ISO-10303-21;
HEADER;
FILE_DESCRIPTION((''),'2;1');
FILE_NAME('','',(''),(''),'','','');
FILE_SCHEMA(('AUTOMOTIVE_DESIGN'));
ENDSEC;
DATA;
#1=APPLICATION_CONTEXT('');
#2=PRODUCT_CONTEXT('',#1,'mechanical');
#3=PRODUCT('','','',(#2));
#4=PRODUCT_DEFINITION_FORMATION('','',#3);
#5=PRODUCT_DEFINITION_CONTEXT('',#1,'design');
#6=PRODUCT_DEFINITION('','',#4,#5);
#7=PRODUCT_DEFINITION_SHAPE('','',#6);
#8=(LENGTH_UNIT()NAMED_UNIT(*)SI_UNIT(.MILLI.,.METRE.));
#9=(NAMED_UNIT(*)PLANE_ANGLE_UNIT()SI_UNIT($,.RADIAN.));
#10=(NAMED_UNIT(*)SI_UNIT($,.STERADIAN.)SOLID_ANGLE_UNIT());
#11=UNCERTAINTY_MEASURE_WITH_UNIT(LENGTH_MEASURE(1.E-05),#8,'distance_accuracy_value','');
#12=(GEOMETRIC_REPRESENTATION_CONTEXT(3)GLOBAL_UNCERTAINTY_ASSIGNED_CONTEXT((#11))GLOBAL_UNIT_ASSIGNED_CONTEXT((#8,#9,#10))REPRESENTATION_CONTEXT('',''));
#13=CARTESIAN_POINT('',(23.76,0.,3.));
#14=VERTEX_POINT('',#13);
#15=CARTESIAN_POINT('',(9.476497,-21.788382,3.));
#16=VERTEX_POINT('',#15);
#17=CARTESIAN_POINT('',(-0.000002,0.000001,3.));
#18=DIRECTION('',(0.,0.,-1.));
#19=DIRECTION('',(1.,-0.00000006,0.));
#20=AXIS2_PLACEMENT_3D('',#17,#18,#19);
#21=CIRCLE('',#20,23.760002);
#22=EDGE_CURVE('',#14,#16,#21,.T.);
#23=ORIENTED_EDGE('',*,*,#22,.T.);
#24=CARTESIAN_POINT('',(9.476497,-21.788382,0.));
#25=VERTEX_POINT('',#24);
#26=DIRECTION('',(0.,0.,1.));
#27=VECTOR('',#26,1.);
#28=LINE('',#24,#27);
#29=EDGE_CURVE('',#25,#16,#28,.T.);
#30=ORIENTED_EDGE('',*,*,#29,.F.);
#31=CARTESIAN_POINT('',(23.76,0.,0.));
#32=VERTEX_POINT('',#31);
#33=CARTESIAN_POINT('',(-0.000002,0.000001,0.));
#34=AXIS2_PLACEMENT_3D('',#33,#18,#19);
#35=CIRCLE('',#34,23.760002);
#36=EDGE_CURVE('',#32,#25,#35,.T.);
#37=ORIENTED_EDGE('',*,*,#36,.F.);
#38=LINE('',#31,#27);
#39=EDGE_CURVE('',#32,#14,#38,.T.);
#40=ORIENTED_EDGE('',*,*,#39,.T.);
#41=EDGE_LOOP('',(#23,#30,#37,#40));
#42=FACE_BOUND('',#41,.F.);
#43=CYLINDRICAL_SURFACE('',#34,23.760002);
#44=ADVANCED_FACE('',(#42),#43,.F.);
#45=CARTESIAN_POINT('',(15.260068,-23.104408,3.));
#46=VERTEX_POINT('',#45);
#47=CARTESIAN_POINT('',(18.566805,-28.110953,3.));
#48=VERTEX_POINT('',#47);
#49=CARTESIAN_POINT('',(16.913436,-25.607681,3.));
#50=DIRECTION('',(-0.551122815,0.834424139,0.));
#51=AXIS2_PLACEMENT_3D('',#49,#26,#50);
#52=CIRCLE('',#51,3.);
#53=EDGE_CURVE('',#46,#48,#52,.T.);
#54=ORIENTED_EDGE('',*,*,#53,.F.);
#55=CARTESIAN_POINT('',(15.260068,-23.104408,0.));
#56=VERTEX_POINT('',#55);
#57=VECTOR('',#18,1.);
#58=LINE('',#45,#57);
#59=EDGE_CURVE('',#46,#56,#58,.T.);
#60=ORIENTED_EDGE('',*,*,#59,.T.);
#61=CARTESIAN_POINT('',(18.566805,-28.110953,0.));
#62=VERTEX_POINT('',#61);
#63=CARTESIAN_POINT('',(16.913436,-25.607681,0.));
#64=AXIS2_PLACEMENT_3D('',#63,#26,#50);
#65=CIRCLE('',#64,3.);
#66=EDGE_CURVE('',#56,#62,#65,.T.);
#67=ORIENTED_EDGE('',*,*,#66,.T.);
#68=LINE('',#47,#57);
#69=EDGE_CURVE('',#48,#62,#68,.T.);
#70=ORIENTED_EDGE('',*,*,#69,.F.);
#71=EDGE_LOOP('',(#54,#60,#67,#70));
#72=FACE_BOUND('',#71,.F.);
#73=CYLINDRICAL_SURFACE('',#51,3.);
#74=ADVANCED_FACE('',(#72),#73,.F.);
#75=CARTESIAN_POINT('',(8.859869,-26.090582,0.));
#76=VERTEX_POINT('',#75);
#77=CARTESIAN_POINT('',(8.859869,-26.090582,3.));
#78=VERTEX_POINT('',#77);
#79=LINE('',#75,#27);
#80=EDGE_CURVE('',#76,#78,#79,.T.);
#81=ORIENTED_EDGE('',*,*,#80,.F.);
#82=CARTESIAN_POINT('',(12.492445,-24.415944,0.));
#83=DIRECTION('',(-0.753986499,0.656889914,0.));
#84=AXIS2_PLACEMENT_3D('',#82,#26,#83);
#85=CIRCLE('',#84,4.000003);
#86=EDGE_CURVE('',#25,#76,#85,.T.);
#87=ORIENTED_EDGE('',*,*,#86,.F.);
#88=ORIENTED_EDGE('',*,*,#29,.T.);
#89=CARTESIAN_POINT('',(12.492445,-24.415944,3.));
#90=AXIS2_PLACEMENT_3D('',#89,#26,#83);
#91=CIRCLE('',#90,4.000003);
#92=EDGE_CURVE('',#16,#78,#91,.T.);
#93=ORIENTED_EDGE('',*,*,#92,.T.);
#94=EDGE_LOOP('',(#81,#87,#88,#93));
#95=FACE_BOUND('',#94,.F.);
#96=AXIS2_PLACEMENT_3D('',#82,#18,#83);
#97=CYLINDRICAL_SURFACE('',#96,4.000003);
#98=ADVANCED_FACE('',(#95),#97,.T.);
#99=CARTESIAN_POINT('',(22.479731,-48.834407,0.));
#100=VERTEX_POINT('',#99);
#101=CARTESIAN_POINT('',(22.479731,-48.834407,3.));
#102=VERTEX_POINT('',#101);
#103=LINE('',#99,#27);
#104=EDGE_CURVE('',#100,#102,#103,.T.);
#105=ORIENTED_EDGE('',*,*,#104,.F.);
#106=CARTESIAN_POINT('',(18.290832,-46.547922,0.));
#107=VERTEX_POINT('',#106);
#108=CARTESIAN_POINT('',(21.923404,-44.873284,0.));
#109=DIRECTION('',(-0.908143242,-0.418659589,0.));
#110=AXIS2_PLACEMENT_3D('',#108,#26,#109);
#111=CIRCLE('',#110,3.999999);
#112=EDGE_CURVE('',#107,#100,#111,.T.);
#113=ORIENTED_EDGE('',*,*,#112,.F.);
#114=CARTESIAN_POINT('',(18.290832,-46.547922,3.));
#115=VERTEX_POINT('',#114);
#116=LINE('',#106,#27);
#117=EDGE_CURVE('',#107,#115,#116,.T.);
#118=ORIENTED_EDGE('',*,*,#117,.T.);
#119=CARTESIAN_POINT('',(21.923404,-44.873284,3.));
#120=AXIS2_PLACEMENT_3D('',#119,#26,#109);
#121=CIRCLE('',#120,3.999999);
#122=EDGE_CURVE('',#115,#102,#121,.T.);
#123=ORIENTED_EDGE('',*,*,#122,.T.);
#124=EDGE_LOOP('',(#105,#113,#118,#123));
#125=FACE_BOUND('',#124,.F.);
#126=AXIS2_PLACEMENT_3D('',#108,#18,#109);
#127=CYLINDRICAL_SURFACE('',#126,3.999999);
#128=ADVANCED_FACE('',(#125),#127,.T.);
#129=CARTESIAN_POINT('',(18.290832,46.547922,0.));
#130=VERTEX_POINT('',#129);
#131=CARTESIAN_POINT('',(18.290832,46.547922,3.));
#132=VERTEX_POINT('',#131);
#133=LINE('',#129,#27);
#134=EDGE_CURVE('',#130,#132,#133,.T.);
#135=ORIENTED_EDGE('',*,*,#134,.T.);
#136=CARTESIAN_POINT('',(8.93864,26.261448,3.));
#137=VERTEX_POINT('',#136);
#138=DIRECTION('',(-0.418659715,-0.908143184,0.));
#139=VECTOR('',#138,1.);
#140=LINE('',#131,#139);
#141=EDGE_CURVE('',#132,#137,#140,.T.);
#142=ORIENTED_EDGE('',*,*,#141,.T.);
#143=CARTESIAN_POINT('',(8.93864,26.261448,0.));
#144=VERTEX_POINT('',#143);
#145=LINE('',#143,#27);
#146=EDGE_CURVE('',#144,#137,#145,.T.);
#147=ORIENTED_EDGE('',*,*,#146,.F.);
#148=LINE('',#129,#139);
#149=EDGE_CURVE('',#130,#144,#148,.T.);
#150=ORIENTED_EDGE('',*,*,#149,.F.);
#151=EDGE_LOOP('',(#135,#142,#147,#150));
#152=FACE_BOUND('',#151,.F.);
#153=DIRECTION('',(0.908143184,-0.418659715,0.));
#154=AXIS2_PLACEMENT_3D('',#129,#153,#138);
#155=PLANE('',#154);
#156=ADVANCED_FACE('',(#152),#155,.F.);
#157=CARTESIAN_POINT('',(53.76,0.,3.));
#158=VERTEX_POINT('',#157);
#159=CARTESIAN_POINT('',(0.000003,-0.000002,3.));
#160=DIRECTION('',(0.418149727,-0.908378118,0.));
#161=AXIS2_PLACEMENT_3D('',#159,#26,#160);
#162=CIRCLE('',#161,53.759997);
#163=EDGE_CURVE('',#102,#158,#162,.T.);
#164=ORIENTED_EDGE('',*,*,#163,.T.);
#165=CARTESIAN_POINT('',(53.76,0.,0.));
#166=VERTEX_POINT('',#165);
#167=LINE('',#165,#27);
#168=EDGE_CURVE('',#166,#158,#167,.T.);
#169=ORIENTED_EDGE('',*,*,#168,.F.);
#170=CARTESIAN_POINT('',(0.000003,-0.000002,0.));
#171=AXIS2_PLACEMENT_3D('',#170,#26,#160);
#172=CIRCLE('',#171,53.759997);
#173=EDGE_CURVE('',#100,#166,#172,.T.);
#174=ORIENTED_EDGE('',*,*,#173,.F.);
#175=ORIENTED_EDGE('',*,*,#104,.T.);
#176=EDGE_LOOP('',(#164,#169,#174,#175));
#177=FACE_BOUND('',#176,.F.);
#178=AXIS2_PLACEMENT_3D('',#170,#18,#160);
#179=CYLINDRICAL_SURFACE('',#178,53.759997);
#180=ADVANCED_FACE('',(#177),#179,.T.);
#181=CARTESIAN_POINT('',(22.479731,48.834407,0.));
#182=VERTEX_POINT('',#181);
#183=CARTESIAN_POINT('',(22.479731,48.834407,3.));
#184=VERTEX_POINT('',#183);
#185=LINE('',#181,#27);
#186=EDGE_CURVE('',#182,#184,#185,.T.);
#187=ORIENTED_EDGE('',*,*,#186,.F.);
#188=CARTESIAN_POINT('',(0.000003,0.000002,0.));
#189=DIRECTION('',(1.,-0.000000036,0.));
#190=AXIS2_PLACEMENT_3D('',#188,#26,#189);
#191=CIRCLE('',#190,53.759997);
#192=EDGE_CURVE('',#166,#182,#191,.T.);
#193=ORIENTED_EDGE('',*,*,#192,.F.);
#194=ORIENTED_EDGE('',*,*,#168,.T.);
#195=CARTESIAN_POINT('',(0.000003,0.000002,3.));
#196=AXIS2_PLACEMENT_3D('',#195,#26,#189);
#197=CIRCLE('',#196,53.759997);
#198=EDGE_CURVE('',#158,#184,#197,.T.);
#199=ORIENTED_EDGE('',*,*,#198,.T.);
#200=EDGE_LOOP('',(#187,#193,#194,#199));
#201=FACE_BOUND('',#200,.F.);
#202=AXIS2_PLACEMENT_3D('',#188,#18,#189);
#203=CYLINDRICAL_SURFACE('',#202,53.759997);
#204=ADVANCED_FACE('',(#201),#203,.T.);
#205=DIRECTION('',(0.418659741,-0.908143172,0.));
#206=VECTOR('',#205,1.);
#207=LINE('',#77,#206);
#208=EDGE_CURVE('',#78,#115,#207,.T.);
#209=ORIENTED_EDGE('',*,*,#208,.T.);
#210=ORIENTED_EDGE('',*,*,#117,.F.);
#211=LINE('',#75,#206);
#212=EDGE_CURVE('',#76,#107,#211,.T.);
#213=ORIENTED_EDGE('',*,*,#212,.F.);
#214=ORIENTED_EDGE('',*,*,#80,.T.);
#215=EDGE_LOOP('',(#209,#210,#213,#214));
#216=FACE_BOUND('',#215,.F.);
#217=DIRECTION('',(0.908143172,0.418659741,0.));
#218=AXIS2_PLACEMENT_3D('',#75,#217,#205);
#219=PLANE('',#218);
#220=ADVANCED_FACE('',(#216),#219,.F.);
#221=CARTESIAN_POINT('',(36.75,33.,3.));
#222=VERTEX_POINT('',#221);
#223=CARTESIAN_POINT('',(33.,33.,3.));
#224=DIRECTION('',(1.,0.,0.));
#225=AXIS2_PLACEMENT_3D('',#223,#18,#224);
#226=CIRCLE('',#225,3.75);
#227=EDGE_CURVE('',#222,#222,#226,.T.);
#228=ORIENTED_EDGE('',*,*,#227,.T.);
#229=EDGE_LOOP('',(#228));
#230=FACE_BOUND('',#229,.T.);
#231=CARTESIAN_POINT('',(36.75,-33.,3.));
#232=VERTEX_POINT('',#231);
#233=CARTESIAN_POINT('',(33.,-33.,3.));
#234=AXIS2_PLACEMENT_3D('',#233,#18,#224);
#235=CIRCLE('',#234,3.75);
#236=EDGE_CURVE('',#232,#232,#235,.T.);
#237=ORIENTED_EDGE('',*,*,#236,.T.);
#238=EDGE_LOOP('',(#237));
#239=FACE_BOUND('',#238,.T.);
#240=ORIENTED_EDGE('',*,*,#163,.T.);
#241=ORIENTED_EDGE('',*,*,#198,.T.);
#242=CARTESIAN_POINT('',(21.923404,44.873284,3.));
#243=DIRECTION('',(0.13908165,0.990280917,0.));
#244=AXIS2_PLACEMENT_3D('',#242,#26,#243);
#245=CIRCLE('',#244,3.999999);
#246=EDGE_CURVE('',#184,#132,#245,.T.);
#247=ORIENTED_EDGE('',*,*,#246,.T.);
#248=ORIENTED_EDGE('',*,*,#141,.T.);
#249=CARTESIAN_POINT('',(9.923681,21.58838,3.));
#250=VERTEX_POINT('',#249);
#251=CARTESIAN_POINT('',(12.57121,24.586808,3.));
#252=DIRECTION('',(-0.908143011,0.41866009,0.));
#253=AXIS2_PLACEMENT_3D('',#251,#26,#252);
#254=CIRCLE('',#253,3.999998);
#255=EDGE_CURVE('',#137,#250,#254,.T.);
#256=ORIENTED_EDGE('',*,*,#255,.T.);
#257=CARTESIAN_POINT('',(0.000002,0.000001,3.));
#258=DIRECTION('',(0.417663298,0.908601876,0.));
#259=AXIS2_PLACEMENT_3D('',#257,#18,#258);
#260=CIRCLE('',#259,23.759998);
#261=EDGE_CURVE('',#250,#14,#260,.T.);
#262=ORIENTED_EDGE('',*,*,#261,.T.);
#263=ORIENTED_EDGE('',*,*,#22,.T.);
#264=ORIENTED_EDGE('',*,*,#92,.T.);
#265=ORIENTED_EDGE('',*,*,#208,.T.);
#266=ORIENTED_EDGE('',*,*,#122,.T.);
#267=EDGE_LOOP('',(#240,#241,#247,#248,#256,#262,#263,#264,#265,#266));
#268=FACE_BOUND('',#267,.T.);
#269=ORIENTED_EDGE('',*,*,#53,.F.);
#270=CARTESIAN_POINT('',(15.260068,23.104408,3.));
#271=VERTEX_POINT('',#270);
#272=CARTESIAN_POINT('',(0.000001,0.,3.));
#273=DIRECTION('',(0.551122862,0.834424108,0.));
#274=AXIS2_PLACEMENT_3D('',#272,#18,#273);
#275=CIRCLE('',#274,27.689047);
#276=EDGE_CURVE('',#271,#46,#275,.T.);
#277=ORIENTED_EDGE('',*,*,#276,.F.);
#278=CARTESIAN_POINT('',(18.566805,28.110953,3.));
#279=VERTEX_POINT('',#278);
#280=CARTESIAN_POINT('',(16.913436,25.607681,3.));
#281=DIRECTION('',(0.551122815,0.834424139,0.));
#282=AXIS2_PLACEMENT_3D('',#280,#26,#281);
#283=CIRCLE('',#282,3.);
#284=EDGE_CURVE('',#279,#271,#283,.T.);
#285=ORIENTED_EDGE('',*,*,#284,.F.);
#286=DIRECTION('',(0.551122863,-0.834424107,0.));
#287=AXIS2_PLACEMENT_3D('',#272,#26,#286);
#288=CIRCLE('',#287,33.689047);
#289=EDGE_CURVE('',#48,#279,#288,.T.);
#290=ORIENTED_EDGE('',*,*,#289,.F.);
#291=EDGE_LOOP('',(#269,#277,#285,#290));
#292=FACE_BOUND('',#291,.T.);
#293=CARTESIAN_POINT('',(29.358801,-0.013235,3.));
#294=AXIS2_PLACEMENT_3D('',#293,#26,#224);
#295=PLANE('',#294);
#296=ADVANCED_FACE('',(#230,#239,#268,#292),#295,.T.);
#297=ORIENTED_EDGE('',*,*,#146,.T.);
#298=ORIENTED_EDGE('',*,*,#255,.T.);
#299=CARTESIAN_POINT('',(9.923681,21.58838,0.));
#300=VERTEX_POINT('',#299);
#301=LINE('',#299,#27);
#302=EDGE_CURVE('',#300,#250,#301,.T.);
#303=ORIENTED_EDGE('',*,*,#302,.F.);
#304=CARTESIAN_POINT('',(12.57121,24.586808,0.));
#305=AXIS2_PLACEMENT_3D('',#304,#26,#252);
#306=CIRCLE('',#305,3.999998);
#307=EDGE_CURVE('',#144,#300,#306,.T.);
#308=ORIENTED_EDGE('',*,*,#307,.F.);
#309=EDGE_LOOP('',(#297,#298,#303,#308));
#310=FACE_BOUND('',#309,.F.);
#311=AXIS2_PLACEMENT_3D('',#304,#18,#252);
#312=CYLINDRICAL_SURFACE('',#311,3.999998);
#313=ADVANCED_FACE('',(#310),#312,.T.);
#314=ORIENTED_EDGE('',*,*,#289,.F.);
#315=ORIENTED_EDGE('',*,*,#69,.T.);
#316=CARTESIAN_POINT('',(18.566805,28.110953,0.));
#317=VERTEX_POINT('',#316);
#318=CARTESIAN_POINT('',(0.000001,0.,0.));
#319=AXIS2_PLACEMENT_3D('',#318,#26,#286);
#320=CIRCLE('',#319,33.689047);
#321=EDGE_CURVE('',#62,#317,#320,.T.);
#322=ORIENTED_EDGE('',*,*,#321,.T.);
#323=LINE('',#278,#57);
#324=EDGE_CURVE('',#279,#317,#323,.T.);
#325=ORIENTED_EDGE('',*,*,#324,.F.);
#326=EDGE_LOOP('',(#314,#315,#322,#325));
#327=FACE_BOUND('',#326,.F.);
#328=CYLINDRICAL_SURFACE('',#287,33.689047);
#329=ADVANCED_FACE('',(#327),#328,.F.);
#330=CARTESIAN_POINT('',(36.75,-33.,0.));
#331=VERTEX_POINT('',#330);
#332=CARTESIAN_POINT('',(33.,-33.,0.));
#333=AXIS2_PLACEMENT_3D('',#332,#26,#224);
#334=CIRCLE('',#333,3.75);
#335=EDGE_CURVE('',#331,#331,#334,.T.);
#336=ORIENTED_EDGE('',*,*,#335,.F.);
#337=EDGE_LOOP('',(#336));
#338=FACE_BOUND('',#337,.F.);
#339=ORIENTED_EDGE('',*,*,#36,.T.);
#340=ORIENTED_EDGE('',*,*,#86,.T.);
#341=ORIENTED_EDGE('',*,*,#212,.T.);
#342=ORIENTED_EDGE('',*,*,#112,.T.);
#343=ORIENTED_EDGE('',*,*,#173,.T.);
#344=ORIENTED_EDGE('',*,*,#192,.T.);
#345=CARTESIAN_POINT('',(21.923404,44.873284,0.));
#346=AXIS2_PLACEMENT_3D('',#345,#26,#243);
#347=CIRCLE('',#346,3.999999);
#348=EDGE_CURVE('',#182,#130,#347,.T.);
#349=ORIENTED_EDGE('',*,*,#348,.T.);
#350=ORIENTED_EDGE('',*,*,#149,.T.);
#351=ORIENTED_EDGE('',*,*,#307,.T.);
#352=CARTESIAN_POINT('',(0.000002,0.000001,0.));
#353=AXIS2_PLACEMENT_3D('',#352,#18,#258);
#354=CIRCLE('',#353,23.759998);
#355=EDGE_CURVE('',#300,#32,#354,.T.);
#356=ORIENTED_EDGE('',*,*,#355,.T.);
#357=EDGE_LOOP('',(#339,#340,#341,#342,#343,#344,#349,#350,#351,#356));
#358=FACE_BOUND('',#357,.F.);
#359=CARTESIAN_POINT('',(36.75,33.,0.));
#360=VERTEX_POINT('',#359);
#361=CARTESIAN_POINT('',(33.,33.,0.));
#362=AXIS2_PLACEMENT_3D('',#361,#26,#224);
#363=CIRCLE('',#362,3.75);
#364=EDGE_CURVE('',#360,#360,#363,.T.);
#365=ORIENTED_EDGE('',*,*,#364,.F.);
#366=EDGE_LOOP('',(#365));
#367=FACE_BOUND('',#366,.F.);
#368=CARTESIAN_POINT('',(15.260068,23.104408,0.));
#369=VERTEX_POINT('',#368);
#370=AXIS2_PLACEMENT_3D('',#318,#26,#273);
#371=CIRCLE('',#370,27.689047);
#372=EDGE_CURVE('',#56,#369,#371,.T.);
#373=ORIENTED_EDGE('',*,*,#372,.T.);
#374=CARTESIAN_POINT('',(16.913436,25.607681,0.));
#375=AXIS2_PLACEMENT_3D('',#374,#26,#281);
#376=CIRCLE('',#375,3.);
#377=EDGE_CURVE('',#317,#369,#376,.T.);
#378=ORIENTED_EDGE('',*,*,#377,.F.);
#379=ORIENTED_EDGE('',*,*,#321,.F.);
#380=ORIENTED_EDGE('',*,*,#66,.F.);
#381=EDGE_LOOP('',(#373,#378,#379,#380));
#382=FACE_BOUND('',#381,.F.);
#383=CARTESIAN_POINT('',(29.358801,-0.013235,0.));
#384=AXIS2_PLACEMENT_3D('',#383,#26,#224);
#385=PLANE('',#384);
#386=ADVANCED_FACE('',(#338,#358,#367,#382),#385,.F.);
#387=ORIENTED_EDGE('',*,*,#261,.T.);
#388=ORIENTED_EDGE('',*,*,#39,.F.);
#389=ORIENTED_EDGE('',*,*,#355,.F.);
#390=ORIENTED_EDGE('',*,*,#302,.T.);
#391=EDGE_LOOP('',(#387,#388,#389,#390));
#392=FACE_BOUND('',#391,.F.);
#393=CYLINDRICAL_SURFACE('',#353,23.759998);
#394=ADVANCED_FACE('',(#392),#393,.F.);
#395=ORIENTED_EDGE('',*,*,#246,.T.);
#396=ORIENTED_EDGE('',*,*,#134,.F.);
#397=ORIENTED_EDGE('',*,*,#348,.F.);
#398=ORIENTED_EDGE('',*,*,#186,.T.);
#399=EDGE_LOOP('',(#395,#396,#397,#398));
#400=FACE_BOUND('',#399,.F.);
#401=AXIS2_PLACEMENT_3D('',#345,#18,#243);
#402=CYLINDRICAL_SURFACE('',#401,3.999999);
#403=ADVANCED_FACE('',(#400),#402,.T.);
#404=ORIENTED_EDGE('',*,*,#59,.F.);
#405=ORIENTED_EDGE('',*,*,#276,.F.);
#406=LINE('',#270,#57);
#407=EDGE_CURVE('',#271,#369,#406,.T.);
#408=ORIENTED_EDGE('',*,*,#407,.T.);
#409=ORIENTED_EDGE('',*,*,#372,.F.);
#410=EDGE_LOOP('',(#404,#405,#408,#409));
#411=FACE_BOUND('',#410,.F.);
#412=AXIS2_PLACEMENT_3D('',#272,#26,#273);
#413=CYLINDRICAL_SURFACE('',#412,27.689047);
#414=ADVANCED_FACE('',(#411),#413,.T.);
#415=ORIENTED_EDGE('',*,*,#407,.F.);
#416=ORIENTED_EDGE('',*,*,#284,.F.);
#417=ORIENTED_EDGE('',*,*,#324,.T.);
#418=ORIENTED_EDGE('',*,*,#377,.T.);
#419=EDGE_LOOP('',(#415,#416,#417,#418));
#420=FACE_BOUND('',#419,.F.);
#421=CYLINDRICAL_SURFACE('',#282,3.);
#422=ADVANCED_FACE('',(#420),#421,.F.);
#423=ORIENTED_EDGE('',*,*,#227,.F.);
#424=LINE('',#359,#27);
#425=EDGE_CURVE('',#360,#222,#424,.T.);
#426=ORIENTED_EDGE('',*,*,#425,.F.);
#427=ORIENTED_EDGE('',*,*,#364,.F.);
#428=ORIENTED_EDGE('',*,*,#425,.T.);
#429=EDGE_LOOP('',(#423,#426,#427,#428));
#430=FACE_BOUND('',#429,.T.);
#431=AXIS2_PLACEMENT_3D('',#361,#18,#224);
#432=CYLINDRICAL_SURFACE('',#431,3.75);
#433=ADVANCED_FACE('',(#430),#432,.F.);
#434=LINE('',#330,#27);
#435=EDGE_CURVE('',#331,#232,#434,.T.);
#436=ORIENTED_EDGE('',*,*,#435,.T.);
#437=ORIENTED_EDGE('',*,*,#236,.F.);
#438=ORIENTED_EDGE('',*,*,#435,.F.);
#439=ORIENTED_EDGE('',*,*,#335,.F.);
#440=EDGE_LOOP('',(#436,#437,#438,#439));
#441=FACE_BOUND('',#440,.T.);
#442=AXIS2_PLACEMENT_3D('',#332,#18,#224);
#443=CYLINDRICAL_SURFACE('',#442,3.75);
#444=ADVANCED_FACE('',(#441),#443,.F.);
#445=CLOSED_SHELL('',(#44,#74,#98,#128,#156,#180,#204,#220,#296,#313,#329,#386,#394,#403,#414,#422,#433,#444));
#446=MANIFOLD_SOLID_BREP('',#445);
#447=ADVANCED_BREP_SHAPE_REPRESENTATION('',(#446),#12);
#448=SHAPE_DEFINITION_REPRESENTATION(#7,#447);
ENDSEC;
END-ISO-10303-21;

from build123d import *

# Parameters (mm, degrees)
F2_DEPTH = 3
F0_R     = 3.75
F3_DEPTH = 25
F5_DEPTH = 25


with BuildPart() as f2:
    # F1 (on Top) → F2 (new body)
    with BuildSketch(Plane.XY):
        with BuildLine():
            Line((18.290832, 46.547922), (8.93864, 26.261448))
            ThreePointArc((8.93864, 26.261448), (8.657222, 23.761775), (9.923681, 21.58838))
            ThreePointArc((9.923681, 21.58838), (20.004053, 12.8209), (23.76, 0))
            ThreePointArc((23.76, 0), (19.870822, -13.026435), (9.476497, -21.788382))
            ThreePointArc((9.476497, -21.788382), (8.532906, -23.848429), (8.859869, -26.090582))
            Line((8.859869, -26.090582), (18.290832, -46.547922))
            ThreePointArc((18.290832, -46.547922), (20.006943, -48.384291), (22.479731, -48.834407))
            ThreePointArc((22.479731, -48.834407), (45.26946, -28.996787), (53.76, 0))
            ThreePointArc((53.76, 0), (45.26946, 28.996787), (22.479731, 48.834407))
            ThreePointArc((22.479731, 48.834407), (20.006943, 48.384291), (18.290832, 46.547922))
        make_face()
    extrude(amount=F2_DEPTH)

    # F0 (on Top) → F3 (cut)
    with BuildSketch(Plane.XY):
        with Locations((33, 33)):
            Circle(F0_R)
        with Locations((33, -33)):
            Circle(F0_R)
    extrude(amount=F3_DEPTH, mode=Mode.SUBTRACT)

    # F4 (on face) → F5 (cut)
    with BuildSketch(Plane.XY.offset(3)):
        with BuildLine():
            ThreePointArc((18.566805, 28.110953), (14.410164, 27.261049), (15.260068, 23.104408))
            ThreePointArc((15.260068, 23.104408), (27.689048, 0), (15.260068, -23.104408))
            ThreePointArc((15.260068, -23.104408), (14.410164, -27.261049), (18.566805, -28.110953))
            ThreePointArc((18.566805, -28.110953), (33.689048, 0), (18.566805, 28.110953))
        make_face()
    extrude(amount=-F5_DEPTH, mode=Mode.SUBTRACT)


solid = f2.part
